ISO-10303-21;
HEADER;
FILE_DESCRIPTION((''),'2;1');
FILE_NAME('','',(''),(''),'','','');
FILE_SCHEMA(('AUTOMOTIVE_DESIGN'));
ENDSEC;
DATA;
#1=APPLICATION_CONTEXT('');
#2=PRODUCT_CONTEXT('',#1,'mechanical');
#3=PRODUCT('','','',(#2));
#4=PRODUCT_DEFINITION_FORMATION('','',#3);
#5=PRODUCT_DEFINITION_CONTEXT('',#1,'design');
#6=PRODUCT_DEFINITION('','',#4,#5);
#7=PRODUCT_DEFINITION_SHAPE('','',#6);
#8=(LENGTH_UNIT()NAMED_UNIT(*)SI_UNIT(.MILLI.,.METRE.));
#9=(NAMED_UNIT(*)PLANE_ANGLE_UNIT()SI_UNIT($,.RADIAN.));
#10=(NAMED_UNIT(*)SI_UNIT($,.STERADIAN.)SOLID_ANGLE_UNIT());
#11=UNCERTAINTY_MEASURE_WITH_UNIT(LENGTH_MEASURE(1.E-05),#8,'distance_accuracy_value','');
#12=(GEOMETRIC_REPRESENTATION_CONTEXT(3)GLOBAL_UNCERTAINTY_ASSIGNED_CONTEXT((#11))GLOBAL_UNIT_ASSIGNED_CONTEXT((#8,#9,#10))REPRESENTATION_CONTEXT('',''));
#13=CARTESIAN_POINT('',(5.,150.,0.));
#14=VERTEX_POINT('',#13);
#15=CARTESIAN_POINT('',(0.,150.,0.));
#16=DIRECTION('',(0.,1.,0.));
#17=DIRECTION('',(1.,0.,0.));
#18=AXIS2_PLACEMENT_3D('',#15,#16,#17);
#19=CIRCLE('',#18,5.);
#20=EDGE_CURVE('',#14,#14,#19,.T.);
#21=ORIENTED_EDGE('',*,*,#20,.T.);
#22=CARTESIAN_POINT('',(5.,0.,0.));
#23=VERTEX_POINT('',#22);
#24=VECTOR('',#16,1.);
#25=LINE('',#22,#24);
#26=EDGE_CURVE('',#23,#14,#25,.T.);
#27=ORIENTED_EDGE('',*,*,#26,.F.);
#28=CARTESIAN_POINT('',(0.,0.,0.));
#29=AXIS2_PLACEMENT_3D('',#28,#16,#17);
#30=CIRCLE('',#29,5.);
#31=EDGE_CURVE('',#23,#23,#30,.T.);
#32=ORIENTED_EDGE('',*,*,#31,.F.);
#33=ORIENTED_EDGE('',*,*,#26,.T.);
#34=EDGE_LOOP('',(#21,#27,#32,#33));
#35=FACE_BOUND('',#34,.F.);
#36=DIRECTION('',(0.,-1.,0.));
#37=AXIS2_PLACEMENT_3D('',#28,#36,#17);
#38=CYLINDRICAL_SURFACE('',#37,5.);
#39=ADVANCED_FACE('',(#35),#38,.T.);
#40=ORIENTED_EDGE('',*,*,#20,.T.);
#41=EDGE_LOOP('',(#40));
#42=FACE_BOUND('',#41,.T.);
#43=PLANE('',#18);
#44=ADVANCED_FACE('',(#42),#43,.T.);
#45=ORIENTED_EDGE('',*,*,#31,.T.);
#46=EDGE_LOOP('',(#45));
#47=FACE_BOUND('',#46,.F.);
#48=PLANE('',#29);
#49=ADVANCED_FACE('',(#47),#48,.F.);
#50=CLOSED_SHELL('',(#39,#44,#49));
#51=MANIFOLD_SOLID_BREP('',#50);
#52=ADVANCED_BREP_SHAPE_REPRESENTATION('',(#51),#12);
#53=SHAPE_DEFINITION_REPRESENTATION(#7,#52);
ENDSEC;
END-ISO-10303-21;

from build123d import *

# Parameters (mm, degrees)
SKETCH1_R           = 5
BOSS_EXTRUDE1_DEPTH = 150


with BuildPart() as part:
    # Sketch1 → Boss-Extrude1 (new body)
    with BuildSketch(Plane(origin=(0, 0, 0), x_dir=(1, 0, 0), z_dir=(0, 1, 0))):
        Circle(SKETCH1_R)
    extrude(amount=BOSS_EXTRUDE1_DEPTH)


solid = part.part
